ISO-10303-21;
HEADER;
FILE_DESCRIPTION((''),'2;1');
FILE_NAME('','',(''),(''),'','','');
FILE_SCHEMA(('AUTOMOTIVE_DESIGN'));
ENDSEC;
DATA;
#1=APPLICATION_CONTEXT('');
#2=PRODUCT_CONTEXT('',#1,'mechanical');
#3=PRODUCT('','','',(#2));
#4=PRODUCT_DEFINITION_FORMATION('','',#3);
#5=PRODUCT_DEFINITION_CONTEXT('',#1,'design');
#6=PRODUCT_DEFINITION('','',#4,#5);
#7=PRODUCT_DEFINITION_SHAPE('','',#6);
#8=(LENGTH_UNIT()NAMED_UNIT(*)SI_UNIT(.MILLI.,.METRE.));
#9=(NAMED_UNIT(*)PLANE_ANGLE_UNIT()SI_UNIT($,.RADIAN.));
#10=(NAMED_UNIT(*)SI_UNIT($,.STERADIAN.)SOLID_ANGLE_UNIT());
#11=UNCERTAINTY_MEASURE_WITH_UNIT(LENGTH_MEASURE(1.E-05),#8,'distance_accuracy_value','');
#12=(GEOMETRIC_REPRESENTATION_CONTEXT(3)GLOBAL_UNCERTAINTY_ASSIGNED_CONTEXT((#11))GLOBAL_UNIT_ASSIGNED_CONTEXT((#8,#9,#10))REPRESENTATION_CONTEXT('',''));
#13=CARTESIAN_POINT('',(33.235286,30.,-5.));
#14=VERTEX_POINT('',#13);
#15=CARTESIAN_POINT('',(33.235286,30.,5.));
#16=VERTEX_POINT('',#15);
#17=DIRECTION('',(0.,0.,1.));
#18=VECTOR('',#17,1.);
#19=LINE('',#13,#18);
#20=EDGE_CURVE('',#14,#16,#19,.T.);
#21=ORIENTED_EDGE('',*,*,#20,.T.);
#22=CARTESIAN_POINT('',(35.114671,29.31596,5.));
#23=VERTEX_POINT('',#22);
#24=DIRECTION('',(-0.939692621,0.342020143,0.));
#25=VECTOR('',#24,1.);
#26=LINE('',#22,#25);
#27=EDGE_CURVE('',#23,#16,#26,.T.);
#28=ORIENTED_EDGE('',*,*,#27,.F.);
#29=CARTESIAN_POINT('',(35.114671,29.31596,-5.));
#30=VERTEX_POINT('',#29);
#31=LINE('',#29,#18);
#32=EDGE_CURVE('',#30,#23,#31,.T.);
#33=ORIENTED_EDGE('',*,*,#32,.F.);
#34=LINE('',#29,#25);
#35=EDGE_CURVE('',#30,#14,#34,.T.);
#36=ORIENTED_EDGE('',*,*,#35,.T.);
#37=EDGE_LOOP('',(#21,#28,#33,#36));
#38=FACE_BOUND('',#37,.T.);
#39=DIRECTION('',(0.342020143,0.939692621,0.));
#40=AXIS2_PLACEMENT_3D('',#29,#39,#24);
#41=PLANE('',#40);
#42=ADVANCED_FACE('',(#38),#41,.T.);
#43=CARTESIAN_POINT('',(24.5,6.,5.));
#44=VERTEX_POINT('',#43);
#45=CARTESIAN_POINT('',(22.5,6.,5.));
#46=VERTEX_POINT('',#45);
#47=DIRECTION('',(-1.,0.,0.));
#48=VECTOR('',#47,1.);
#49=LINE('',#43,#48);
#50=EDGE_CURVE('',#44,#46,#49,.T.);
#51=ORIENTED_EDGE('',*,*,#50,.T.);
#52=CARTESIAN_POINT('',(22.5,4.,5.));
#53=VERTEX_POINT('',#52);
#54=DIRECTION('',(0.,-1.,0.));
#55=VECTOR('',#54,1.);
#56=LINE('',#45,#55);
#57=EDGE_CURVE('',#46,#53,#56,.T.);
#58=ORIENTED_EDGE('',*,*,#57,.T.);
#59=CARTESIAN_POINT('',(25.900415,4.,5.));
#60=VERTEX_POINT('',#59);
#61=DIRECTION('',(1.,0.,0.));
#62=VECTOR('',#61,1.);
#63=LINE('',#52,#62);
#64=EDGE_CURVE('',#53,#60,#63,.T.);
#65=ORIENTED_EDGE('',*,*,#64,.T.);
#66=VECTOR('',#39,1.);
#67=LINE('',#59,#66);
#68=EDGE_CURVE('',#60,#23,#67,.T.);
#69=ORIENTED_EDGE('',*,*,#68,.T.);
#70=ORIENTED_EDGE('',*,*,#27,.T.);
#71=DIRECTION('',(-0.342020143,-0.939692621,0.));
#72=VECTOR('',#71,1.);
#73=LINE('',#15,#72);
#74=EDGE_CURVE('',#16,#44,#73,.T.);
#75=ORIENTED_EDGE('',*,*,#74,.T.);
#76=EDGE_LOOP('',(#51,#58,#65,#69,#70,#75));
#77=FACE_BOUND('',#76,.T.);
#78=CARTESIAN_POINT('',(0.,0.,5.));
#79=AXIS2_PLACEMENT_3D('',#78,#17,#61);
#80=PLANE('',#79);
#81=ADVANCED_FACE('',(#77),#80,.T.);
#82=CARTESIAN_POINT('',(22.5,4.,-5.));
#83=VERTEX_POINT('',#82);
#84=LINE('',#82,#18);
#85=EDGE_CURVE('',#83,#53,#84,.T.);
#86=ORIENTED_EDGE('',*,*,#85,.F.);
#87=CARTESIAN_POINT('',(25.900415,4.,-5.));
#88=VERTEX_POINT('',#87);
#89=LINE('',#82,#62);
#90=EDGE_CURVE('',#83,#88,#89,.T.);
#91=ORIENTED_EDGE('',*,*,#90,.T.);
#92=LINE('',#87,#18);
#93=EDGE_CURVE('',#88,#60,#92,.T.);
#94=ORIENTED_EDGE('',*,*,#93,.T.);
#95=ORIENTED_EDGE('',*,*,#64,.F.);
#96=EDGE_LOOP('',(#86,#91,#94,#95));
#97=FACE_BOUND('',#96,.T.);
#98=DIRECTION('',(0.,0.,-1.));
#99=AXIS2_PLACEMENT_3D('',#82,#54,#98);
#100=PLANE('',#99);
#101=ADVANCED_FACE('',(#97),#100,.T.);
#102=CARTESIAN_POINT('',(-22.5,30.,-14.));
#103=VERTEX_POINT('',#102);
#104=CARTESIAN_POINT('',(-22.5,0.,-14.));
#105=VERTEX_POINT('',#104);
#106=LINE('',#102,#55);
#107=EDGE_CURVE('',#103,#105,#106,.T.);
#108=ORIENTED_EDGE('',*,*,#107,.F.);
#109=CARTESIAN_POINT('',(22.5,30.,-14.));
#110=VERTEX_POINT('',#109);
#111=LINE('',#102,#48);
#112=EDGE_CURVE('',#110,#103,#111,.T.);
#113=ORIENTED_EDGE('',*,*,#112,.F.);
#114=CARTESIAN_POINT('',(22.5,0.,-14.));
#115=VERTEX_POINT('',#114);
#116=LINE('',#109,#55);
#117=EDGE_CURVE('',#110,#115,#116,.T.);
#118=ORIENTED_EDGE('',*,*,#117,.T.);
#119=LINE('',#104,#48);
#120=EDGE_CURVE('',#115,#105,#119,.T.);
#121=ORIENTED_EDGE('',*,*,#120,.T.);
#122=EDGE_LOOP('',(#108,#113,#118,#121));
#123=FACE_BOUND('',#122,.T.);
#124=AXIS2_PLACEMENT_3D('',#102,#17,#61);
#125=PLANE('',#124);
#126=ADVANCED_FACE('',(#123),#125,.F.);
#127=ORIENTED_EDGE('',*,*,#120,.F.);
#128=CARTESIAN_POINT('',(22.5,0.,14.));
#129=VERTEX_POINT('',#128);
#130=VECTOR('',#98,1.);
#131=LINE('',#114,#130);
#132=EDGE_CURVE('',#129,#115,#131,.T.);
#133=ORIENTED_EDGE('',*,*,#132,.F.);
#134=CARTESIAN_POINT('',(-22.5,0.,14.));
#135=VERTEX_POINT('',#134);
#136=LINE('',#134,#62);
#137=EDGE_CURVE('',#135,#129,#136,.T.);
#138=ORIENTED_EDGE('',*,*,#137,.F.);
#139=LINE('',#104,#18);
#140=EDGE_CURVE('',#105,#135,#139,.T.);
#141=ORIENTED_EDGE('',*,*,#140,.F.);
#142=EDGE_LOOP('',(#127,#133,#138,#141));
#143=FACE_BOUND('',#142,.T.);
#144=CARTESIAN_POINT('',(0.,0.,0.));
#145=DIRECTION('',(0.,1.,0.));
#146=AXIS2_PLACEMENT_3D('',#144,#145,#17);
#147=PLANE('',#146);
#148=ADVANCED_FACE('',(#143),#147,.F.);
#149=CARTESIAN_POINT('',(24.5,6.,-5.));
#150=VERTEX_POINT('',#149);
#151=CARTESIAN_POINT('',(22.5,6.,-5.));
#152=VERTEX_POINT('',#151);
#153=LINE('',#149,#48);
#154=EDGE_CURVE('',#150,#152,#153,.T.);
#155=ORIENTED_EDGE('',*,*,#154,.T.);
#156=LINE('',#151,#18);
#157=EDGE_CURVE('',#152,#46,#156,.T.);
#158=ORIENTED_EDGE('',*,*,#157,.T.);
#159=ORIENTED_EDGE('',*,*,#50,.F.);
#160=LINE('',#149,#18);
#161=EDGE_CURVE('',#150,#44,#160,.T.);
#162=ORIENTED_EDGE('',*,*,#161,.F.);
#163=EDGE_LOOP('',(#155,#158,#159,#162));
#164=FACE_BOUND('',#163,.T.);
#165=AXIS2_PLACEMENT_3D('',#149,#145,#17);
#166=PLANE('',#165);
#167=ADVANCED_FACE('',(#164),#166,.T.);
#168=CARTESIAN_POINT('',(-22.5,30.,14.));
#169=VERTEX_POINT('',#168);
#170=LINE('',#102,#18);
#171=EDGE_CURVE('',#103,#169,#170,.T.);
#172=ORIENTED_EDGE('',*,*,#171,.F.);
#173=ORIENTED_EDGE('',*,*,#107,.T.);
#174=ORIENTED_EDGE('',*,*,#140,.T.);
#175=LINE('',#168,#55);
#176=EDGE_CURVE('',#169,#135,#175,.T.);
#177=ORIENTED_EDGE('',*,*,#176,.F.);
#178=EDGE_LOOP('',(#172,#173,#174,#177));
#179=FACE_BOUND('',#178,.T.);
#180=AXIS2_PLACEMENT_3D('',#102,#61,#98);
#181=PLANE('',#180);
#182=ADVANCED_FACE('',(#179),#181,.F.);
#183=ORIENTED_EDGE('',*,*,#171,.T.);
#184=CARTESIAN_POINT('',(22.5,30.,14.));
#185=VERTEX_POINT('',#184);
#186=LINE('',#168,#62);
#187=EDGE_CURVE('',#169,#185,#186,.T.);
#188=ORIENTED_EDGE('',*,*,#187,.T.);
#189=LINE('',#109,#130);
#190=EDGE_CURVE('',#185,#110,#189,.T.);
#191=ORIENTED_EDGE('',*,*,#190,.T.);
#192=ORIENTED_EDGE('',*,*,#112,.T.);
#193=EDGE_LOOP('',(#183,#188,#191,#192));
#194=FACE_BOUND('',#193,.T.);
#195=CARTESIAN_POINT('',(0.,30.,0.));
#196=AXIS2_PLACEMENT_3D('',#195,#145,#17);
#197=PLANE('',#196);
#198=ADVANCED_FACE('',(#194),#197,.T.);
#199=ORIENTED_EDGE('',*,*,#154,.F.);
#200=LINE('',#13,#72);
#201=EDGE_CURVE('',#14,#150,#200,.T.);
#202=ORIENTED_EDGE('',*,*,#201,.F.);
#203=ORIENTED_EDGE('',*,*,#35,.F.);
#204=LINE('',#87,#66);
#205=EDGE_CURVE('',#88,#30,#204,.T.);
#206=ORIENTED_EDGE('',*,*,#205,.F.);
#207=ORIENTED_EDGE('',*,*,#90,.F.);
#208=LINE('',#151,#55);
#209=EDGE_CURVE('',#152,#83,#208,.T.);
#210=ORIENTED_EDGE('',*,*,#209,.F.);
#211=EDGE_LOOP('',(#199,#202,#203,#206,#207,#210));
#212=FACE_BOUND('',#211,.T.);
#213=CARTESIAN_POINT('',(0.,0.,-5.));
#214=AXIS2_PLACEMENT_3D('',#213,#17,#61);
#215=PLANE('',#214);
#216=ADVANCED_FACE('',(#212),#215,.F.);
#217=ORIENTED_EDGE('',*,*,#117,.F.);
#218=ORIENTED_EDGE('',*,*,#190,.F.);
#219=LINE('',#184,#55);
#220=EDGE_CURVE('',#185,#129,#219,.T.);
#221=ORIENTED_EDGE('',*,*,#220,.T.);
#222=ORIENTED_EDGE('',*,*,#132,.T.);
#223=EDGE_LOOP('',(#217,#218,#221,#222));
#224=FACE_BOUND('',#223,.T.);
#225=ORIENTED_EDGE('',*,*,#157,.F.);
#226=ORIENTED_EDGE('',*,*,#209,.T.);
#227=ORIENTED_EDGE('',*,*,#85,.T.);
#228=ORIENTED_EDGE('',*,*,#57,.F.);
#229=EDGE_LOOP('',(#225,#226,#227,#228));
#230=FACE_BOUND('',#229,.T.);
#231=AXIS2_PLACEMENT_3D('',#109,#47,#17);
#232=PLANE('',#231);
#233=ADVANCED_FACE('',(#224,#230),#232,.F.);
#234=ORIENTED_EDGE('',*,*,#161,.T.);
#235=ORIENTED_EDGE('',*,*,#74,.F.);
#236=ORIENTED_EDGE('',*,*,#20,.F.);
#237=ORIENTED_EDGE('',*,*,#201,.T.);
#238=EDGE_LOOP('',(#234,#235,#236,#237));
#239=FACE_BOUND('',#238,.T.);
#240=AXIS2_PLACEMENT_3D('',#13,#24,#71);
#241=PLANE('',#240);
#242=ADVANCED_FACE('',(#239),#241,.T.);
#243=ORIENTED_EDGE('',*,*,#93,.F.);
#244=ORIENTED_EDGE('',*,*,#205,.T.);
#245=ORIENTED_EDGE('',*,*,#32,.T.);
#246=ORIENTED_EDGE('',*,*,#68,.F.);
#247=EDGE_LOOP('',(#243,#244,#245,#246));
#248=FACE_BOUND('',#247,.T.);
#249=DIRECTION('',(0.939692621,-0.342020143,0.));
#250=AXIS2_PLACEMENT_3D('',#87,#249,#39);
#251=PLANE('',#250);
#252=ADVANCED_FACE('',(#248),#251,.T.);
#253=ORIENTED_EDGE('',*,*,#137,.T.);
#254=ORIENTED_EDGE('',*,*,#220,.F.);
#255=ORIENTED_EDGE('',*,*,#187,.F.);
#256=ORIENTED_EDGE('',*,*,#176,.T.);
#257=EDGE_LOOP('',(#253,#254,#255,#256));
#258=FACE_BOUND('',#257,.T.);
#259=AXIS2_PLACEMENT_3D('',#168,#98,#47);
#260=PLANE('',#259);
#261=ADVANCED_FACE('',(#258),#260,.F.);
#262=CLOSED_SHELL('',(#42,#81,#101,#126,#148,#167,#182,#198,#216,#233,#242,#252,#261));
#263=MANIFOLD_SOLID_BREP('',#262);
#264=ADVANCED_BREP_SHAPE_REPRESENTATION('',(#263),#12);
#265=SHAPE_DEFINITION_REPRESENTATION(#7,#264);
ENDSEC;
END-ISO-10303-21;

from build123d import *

# Parameters (mm, degrees)
SKETCH1_W                = 45
SKETCH1_H                = 28
BOSS_EXTRUDE1_DEPTH      = 30
BOSS_EXTRUDE2_DEPTH      = 5
BOSS_EXTRUDE2_DEPTH_BACK = 5


with BuildPart() as part:
    # Sketch1 → Boss-Extrude1 (new body)
    with BuildSketch(Plane(origin=(0, 0, 0), x_dir=(1, 0, 0), z_dir=(0, 1, 0))):
        Rectangle(SKETCH1_W, SKETCH1_H)
    extrude(amount=BOSS_EXTRUDE1_DEPTH)

    # Sketch2 → Boss-Extrude2 (add, two sides: drawn at the far end of the back side and taken through both)
    with BuildSketch(Plane.XY.offset(-BOSS_EXTRUDE2_DEPTH_BACK)):
        Polygon((22.5, 4), (25.900415076, 4), (35.114670864, 29.315959713), (33.235285622, 30), (24.5, 6), (22.5, 6), align=None)
    extrude(amount=BOSS_EXTRUDE2_DEPTH + BOSS_EXTRUDE2_DEPTH_BACK)


solid = part.part
